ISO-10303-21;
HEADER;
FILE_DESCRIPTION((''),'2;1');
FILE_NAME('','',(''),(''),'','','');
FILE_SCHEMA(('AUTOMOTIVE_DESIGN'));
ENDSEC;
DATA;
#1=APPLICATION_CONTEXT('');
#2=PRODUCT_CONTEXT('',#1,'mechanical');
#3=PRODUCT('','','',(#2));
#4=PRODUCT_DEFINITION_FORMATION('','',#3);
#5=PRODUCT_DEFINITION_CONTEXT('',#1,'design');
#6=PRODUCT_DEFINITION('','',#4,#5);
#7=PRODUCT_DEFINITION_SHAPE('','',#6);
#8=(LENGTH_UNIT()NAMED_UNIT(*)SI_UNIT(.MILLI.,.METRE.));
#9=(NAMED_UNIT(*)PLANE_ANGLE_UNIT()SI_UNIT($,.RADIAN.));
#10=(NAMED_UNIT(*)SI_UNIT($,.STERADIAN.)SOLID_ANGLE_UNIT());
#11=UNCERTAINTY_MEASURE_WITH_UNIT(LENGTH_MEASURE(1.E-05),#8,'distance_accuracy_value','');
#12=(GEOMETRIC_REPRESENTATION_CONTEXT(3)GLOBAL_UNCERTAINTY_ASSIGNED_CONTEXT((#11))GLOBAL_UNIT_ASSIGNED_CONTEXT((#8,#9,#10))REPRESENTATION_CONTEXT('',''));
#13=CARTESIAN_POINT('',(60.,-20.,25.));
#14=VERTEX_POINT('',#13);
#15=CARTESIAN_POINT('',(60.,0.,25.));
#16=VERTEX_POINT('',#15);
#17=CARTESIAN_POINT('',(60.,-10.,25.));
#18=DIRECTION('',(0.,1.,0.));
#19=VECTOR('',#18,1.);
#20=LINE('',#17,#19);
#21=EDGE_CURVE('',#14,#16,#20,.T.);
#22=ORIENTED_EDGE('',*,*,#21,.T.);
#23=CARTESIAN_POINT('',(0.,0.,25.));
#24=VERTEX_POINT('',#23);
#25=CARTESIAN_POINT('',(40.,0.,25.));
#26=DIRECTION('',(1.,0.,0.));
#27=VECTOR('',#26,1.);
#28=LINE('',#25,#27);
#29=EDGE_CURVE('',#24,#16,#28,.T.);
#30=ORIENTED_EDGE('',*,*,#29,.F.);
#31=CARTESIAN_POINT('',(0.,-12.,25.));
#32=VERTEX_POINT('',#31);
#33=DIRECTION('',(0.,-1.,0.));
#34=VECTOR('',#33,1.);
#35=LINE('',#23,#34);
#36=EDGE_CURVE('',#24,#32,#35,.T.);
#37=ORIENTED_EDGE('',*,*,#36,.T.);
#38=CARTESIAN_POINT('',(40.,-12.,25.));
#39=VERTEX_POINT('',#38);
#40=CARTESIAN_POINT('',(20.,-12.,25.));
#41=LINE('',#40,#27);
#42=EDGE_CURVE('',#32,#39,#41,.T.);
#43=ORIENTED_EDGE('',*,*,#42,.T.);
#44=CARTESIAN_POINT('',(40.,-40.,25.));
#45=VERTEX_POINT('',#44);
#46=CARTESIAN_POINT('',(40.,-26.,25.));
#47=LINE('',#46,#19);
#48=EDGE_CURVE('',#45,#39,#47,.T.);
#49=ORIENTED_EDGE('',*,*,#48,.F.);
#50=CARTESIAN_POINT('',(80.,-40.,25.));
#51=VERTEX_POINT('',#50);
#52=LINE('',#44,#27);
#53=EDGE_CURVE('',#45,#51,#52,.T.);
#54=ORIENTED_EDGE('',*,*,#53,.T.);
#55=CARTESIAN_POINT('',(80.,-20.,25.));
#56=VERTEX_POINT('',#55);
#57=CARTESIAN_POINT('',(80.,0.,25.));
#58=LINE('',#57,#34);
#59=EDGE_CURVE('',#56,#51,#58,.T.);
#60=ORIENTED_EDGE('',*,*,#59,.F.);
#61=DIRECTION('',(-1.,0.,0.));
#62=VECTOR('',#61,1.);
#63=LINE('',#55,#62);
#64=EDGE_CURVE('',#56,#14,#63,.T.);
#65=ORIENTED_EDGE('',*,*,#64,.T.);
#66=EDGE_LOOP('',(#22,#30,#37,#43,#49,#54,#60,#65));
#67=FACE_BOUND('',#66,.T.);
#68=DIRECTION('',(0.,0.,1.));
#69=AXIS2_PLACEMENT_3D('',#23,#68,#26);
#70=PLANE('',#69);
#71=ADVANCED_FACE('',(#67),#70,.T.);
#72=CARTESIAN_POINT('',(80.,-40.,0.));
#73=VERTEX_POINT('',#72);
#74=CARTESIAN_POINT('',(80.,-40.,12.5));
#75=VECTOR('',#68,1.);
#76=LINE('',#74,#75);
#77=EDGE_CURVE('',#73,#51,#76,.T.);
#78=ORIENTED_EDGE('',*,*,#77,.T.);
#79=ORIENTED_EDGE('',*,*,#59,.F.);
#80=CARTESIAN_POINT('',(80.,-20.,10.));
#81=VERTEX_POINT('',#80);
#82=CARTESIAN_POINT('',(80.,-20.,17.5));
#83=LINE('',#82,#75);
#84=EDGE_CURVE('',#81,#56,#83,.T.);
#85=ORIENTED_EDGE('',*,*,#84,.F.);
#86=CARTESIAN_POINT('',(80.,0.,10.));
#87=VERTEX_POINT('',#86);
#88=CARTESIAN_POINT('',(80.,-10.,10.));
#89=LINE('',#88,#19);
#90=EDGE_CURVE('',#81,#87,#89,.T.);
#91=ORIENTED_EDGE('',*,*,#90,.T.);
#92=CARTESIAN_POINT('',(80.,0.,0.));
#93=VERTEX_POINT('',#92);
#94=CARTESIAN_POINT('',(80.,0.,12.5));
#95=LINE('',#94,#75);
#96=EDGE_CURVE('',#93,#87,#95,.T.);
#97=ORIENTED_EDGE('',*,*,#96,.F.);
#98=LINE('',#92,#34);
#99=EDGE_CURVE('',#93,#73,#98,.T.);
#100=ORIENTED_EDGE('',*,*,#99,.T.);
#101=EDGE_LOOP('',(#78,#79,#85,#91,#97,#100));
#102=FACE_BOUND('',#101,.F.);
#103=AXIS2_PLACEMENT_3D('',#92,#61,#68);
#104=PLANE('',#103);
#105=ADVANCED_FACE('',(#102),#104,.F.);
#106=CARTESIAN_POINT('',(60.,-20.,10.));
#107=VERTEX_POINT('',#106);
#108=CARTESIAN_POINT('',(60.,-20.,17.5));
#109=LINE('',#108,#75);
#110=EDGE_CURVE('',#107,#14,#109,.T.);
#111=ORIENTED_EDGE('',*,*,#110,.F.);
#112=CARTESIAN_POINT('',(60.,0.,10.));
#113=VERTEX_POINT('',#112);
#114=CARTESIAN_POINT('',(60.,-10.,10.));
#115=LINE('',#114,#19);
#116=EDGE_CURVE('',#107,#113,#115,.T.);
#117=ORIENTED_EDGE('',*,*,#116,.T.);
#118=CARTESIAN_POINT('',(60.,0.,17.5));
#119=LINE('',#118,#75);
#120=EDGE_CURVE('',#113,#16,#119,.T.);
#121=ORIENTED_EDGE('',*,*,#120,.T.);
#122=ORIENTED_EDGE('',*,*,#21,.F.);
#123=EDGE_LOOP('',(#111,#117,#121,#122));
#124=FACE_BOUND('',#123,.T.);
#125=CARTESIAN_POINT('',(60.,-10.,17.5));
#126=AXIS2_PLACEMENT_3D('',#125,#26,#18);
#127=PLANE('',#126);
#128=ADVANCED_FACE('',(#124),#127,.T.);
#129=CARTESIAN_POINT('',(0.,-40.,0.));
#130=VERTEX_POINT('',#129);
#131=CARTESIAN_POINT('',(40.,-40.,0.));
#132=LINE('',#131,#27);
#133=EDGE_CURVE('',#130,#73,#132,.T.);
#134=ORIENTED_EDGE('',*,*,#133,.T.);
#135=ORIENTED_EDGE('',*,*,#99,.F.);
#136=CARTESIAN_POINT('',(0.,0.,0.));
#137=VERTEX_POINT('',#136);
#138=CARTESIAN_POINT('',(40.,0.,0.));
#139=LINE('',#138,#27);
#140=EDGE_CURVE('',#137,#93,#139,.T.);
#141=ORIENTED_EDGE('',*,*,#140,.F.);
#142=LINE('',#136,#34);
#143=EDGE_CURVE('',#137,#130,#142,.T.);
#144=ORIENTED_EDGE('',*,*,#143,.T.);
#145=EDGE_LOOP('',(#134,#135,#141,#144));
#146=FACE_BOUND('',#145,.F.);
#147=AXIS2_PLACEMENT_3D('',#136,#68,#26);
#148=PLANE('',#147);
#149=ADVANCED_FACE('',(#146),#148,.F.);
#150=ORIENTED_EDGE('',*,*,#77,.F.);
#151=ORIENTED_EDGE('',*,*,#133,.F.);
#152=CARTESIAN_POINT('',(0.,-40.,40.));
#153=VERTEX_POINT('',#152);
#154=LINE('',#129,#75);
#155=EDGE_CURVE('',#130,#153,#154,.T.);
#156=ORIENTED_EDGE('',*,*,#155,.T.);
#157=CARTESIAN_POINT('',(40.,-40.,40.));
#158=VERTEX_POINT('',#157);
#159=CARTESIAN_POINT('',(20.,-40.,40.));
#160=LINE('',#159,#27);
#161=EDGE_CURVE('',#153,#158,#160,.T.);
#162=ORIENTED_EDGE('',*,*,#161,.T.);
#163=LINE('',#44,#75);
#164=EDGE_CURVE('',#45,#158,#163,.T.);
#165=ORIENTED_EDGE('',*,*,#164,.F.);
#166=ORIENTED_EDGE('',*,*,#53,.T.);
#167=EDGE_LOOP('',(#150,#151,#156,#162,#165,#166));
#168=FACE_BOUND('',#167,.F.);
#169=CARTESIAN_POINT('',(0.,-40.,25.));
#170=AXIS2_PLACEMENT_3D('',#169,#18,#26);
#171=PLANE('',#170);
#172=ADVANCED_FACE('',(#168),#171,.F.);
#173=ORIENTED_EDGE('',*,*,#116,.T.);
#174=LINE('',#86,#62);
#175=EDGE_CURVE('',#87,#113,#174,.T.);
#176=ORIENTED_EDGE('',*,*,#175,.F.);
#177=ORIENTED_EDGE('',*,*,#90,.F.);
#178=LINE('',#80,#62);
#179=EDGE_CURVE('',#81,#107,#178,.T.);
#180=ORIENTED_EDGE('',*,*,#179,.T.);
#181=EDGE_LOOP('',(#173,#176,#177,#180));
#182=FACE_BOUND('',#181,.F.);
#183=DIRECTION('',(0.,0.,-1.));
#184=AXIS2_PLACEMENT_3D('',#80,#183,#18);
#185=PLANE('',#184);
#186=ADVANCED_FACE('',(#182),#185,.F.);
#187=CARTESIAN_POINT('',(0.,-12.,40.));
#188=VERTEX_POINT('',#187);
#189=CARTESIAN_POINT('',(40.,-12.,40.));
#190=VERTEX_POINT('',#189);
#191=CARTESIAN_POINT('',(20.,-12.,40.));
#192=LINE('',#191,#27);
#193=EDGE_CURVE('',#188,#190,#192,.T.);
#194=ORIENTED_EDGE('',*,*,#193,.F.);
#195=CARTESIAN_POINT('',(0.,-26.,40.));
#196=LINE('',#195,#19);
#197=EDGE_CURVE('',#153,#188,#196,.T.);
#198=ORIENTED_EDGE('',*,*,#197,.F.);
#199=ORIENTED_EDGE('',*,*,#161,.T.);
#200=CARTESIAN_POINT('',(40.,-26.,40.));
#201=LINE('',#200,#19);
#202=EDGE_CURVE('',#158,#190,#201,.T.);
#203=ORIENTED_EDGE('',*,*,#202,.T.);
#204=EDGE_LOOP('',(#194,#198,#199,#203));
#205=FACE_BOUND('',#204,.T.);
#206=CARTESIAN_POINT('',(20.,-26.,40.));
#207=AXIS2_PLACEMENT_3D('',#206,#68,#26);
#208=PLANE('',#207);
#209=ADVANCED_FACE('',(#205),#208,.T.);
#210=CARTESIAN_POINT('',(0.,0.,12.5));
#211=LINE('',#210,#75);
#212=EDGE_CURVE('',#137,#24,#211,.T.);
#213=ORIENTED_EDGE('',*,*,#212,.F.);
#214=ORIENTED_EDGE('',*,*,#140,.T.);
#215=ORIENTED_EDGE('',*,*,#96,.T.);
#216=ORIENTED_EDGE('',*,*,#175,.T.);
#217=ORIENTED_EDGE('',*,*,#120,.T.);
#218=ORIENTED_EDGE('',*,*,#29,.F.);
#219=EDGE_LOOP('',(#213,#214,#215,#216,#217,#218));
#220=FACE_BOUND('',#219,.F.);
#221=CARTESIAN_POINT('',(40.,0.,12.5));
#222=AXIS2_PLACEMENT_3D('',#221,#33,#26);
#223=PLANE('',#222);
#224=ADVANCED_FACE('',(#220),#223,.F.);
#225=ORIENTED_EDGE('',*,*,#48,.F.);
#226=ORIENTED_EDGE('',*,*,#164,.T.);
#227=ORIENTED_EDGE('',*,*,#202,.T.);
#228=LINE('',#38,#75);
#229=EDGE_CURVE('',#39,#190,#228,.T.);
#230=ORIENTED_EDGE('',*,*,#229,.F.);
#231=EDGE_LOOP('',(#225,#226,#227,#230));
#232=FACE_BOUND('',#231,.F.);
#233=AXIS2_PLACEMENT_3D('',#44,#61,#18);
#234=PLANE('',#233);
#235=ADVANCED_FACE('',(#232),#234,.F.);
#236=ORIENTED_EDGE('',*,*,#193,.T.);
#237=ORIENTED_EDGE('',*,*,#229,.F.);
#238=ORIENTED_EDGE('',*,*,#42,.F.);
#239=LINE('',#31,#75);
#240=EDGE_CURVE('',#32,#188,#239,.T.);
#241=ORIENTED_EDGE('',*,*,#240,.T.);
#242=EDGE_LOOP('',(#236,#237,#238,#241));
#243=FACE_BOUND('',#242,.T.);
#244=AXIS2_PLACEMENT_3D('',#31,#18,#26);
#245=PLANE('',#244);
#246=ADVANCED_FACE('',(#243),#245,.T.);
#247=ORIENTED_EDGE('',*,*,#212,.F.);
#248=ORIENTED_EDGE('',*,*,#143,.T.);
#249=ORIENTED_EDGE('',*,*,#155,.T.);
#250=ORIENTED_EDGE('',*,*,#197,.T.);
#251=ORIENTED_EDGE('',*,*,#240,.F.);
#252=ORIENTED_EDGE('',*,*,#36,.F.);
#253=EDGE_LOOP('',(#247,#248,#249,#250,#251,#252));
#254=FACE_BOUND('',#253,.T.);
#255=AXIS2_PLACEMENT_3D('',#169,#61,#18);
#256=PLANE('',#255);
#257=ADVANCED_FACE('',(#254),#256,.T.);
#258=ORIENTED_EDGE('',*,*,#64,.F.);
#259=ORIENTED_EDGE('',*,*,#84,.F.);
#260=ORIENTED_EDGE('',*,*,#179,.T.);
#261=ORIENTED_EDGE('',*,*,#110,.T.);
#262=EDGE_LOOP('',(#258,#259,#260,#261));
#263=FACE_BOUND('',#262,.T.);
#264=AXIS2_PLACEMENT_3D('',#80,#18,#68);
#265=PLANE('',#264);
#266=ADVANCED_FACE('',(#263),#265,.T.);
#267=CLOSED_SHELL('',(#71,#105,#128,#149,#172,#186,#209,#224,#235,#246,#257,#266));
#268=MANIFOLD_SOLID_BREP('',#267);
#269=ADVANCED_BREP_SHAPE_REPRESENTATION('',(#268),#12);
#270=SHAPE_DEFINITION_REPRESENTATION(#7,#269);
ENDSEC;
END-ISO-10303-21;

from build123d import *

# Parameters (mm, degrees)
F0_W     = 80
F0_H     = 25
F1_DEPTH = 40
F2_W     = 20
F2_H     = 15
F3_DEPTH = 20
F4_W     = 40
F4_H     = 28
F5_DEPTH = 15


with BuildPart() as f1:
    # F0 (on Front) → F1 (new body)
    with BuildSketch(Plane.XZ):
        with Locations((40, 12.5)):
            Rectangle(F0_W, F0_H)
    extrude(amount=F1_DEPTH)

    # F2 (on face) → F3 (cut)
    with BuildSketch(Plane.YZ.offset(80)):
        with Locations((-10, 17.5)):
            Rectangle(F2_W, F2_H)
    extrude(amount=-F3_DEPTH, mode=Mode.SUBTRACT)

    # F4 (on face) → F5 (join)
    with BuildSketch(Plane.XY.offset(25)):
        with Locations((20, -26)):
            Rectangle(F4_W, F4_H)
    extrude(amount=F5_DEPTH)


solid = f1.part
